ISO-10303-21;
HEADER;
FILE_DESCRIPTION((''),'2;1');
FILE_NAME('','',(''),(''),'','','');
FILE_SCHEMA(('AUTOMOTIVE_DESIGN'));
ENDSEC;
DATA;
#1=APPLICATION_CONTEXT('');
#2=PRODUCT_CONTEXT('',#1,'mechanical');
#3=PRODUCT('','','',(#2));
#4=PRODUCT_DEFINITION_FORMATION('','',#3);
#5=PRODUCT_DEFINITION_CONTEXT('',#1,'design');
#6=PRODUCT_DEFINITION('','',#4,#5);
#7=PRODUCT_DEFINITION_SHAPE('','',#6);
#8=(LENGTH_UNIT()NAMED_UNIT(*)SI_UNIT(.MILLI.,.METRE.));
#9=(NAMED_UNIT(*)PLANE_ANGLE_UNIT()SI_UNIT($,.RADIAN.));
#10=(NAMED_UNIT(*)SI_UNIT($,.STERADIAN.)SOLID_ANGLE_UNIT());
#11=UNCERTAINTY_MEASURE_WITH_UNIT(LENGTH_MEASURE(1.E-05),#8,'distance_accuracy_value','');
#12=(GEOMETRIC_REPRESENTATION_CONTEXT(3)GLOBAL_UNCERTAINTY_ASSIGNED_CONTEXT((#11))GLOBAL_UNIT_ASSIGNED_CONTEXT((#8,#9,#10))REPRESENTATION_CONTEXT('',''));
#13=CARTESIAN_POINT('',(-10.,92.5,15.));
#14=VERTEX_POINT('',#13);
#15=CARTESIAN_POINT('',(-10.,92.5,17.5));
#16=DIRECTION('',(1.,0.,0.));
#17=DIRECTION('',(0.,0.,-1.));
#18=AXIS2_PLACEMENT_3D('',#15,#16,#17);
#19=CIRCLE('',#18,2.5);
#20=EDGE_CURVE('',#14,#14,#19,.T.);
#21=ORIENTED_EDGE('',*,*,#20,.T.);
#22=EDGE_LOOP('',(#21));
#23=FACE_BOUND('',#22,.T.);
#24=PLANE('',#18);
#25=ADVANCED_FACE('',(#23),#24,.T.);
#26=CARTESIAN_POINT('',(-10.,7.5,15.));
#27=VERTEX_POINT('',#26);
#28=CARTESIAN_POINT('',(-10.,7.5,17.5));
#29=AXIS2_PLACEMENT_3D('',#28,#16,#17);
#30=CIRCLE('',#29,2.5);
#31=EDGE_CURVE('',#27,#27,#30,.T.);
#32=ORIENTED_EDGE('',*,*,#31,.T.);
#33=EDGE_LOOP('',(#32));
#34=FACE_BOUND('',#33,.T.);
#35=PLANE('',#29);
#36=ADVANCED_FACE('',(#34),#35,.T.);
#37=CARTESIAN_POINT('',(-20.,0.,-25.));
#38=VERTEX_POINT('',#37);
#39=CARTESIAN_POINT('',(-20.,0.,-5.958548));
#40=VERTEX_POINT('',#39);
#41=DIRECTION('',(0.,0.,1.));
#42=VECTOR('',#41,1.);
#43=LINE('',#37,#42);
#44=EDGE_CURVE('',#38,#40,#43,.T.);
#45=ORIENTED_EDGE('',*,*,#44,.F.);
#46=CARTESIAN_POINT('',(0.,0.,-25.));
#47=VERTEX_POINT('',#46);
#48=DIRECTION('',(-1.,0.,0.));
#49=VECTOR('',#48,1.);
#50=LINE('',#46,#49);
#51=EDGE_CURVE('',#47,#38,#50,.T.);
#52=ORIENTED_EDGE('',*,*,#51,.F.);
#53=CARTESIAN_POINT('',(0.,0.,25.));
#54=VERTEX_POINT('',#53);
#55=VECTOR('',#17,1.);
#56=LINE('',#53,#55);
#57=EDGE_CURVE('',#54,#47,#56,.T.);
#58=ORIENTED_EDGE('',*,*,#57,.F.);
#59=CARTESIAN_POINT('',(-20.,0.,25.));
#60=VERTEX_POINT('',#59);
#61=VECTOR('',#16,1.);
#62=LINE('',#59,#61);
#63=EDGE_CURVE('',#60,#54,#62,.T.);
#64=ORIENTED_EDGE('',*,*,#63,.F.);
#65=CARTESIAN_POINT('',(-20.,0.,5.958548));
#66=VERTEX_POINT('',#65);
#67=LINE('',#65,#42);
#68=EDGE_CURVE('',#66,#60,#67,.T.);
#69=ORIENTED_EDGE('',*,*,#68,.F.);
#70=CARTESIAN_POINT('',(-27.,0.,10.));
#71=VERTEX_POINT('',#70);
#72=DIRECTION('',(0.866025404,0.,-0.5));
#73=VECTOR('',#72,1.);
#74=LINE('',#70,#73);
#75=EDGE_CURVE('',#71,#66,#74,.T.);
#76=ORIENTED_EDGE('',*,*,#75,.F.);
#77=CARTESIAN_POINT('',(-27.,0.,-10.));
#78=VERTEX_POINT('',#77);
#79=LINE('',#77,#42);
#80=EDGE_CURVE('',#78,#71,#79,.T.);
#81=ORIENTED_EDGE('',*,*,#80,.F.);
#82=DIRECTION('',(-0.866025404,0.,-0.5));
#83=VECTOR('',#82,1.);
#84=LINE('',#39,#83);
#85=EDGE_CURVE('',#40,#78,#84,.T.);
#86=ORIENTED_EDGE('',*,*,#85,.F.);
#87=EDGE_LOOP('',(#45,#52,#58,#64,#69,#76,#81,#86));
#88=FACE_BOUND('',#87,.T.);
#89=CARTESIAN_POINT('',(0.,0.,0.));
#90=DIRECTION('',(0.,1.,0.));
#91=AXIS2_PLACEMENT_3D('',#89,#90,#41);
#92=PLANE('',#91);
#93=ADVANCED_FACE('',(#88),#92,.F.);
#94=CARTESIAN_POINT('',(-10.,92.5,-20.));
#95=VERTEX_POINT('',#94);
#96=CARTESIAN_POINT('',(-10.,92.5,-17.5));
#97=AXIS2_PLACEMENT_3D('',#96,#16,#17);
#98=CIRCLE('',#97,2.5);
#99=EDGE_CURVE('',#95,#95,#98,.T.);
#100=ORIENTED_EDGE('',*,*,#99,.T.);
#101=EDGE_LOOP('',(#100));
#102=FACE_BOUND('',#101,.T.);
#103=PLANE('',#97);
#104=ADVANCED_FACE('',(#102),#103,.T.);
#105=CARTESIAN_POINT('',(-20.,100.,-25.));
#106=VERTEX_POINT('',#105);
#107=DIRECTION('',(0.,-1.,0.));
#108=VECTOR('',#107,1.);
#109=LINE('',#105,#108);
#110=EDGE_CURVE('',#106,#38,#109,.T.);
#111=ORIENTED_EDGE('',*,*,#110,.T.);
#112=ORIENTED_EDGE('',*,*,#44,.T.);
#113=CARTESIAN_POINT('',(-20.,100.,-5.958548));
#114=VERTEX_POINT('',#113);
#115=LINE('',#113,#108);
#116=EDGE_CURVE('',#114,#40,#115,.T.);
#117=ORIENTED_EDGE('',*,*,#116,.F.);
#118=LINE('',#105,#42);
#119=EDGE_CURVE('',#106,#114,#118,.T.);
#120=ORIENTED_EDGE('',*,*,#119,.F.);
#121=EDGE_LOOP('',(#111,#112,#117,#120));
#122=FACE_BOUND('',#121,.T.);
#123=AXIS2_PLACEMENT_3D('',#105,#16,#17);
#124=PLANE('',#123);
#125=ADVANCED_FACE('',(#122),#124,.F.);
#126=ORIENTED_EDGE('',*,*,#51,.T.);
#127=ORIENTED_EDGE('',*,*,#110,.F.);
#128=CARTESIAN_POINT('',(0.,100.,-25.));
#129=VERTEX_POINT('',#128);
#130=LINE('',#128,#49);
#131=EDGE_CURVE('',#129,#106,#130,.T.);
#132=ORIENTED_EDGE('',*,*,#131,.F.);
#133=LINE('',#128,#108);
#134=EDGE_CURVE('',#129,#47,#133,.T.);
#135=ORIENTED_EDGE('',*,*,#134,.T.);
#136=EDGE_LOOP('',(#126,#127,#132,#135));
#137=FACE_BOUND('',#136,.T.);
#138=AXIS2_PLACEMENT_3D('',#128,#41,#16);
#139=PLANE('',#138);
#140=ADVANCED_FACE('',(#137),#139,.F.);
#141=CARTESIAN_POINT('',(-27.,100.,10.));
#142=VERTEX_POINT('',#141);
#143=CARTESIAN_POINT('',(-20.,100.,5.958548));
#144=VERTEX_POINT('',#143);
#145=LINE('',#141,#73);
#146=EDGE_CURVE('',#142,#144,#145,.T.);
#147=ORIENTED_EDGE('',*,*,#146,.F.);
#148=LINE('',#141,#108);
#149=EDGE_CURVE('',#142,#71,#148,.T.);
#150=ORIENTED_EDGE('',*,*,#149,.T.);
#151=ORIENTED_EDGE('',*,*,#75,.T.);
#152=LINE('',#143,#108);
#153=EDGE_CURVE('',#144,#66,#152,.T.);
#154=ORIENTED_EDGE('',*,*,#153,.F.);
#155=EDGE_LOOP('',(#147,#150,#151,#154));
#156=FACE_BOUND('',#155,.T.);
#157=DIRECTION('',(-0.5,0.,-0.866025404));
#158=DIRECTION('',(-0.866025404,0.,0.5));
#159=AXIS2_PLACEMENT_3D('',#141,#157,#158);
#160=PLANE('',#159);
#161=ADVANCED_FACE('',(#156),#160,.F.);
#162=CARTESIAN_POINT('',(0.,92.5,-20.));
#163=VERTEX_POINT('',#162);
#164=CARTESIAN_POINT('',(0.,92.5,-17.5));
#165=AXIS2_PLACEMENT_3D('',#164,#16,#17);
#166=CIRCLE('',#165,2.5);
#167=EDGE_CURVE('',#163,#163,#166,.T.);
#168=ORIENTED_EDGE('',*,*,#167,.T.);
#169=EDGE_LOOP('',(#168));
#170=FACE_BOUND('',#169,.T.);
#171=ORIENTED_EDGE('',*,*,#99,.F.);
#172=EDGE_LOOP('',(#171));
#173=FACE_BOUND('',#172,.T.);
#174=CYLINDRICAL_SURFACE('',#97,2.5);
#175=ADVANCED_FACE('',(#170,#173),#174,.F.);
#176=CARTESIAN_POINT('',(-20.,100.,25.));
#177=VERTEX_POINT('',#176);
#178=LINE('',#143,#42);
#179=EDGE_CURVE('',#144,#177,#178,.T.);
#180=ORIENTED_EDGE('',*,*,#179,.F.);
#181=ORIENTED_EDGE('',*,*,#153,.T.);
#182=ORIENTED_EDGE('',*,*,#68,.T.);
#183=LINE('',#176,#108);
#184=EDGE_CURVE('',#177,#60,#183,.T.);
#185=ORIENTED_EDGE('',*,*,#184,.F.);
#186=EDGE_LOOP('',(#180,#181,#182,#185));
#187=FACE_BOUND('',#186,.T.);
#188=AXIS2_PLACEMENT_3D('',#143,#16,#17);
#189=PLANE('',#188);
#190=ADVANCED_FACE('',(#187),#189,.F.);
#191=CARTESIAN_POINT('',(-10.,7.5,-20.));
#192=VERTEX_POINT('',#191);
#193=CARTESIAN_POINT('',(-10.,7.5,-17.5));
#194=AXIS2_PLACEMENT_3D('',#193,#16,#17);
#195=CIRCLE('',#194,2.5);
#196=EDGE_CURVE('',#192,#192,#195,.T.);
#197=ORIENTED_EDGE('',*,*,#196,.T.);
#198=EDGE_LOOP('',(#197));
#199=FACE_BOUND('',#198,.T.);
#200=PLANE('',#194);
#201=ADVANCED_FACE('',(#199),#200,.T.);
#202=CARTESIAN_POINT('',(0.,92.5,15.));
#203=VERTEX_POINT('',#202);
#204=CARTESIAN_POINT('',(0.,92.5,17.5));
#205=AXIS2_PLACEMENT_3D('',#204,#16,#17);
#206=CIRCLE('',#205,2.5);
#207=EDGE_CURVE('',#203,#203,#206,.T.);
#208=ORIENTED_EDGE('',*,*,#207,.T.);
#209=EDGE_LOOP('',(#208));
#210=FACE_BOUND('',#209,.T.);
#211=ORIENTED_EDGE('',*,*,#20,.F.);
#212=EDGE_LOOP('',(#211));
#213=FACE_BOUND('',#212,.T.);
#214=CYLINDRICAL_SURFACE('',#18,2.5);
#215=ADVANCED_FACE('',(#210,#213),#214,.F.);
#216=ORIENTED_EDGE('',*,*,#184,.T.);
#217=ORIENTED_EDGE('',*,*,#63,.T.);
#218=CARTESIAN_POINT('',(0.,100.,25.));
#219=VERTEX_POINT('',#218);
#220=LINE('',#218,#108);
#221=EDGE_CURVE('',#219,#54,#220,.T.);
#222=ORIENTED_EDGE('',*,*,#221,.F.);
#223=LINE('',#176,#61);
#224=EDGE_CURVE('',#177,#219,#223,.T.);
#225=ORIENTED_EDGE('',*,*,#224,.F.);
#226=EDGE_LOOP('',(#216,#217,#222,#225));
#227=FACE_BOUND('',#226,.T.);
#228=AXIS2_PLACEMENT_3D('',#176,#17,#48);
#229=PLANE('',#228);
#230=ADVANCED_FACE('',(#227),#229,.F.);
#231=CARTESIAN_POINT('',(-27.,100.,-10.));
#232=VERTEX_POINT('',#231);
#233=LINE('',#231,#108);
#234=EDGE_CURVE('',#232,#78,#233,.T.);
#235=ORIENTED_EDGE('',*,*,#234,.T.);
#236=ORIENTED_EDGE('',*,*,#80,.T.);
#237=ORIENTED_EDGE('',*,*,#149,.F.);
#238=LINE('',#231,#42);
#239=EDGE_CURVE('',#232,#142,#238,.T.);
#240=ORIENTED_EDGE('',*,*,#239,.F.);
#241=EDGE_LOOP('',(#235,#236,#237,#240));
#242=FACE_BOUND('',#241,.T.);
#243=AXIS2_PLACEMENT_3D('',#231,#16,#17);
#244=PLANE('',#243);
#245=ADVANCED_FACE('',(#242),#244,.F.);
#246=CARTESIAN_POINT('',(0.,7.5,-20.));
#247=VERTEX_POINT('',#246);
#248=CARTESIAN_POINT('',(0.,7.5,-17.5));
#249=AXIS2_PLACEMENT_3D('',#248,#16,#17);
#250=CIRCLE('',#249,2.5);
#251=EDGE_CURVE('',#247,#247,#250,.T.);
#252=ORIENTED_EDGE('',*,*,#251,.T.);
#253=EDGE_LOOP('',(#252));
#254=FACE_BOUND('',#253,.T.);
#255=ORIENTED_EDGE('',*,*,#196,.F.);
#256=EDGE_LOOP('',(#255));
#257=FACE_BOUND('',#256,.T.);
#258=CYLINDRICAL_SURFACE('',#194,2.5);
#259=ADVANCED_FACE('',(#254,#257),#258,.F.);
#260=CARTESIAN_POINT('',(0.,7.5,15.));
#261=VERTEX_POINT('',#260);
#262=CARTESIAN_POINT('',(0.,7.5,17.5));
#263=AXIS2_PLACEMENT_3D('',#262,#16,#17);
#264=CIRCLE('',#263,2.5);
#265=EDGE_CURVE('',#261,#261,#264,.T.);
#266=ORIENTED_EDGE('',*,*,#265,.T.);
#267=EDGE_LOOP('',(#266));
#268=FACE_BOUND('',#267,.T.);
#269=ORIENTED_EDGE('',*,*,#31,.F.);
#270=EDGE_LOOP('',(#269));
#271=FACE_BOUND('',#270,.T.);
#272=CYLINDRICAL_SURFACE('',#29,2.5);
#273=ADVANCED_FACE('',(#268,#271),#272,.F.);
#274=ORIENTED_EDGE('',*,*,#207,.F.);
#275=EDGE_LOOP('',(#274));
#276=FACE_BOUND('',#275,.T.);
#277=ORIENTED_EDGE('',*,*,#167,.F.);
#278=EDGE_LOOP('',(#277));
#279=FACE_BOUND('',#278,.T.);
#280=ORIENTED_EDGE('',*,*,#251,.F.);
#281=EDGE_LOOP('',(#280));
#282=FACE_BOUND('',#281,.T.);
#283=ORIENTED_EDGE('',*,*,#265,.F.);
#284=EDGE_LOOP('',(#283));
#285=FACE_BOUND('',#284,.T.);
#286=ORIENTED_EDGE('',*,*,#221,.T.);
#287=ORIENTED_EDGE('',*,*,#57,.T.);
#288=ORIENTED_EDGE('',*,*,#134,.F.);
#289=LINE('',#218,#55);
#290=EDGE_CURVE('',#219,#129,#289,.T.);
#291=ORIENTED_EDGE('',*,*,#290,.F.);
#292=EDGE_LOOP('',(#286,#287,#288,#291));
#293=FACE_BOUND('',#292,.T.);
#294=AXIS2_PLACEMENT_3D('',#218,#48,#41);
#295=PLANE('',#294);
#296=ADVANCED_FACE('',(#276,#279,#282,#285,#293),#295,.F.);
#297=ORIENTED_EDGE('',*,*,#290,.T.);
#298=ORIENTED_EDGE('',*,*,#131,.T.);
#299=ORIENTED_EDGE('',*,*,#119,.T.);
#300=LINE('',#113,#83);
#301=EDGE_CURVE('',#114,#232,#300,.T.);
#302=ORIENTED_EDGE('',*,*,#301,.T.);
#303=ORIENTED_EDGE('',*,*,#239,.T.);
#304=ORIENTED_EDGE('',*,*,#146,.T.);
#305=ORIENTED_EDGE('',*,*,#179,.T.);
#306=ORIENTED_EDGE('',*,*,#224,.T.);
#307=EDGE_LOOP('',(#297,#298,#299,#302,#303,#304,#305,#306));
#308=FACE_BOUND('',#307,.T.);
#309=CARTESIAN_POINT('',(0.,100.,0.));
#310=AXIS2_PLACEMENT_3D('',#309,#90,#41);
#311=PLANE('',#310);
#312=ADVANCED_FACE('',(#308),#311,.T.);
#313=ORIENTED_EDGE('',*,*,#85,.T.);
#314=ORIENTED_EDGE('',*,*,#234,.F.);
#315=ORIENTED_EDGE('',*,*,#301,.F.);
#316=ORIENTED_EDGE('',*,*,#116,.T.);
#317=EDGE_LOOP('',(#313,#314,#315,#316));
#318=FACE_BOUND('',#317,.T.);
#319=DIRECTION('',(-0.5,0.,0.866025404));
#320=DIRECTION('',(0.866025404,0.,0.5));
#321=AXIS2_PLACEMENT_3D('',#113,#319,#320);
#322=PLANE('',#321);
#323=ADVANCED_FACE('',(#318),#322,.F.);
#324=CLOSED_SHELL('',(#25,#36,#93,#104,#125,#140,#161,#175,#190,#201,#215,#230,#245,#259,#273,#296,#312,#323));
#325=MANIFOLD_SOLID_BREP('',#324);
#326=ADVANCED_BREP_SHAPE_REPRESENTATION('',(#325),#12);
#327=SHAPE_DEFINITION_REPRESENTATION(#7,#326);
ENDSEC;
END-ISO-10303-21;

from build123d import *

# Parameters (mm, degrees)
BOSS_EXTRUDE1_DEPTH = 100
SKETCH2_R           = 2.5
CUT_EXTRUDE1_DEPTH  = 10


with BuildPart() as part:
    # Sketch1 → Boss-Extrude1 (new body)
    with BuildSketch(Plane(origin=(0, 0, 0), x_dir=(1, 0, 0), z_dir=(0, 1, 0))):
        Polygon((-27, 10), (-27, -10), (-20, -5.958548116), (-20, -25), (0, -25), (0, 25), (-20, 25), (-20, 5.958548116), align=None)
    extrude(amount=BOSS_EXTRUDE1_DEPTH)

    # Sketch2 → Cut-Extrude1 (cut)
    with BuildSketch(Plane(origin=(0, 0, 0), x_dir=(0, 0, -1), z_dir=(1, 0, 0))):
        with Locations((-17.5, 92.5)):
            Circle(SKETCH2_R)
        with Locations((-17.5, 7.5)):
            Circle(SKETCH2_R)
        with Locations((17.5, 7.5)):
            Circle(SKETCH2_R)
        with Locations((17.5, 92.5)):
            Circle(SKETCH2_R)
    extrude(amount=-CUT_EXTRUDE1_DEPTH, mode=Mode.SUBTRACT)


solid = part.part
